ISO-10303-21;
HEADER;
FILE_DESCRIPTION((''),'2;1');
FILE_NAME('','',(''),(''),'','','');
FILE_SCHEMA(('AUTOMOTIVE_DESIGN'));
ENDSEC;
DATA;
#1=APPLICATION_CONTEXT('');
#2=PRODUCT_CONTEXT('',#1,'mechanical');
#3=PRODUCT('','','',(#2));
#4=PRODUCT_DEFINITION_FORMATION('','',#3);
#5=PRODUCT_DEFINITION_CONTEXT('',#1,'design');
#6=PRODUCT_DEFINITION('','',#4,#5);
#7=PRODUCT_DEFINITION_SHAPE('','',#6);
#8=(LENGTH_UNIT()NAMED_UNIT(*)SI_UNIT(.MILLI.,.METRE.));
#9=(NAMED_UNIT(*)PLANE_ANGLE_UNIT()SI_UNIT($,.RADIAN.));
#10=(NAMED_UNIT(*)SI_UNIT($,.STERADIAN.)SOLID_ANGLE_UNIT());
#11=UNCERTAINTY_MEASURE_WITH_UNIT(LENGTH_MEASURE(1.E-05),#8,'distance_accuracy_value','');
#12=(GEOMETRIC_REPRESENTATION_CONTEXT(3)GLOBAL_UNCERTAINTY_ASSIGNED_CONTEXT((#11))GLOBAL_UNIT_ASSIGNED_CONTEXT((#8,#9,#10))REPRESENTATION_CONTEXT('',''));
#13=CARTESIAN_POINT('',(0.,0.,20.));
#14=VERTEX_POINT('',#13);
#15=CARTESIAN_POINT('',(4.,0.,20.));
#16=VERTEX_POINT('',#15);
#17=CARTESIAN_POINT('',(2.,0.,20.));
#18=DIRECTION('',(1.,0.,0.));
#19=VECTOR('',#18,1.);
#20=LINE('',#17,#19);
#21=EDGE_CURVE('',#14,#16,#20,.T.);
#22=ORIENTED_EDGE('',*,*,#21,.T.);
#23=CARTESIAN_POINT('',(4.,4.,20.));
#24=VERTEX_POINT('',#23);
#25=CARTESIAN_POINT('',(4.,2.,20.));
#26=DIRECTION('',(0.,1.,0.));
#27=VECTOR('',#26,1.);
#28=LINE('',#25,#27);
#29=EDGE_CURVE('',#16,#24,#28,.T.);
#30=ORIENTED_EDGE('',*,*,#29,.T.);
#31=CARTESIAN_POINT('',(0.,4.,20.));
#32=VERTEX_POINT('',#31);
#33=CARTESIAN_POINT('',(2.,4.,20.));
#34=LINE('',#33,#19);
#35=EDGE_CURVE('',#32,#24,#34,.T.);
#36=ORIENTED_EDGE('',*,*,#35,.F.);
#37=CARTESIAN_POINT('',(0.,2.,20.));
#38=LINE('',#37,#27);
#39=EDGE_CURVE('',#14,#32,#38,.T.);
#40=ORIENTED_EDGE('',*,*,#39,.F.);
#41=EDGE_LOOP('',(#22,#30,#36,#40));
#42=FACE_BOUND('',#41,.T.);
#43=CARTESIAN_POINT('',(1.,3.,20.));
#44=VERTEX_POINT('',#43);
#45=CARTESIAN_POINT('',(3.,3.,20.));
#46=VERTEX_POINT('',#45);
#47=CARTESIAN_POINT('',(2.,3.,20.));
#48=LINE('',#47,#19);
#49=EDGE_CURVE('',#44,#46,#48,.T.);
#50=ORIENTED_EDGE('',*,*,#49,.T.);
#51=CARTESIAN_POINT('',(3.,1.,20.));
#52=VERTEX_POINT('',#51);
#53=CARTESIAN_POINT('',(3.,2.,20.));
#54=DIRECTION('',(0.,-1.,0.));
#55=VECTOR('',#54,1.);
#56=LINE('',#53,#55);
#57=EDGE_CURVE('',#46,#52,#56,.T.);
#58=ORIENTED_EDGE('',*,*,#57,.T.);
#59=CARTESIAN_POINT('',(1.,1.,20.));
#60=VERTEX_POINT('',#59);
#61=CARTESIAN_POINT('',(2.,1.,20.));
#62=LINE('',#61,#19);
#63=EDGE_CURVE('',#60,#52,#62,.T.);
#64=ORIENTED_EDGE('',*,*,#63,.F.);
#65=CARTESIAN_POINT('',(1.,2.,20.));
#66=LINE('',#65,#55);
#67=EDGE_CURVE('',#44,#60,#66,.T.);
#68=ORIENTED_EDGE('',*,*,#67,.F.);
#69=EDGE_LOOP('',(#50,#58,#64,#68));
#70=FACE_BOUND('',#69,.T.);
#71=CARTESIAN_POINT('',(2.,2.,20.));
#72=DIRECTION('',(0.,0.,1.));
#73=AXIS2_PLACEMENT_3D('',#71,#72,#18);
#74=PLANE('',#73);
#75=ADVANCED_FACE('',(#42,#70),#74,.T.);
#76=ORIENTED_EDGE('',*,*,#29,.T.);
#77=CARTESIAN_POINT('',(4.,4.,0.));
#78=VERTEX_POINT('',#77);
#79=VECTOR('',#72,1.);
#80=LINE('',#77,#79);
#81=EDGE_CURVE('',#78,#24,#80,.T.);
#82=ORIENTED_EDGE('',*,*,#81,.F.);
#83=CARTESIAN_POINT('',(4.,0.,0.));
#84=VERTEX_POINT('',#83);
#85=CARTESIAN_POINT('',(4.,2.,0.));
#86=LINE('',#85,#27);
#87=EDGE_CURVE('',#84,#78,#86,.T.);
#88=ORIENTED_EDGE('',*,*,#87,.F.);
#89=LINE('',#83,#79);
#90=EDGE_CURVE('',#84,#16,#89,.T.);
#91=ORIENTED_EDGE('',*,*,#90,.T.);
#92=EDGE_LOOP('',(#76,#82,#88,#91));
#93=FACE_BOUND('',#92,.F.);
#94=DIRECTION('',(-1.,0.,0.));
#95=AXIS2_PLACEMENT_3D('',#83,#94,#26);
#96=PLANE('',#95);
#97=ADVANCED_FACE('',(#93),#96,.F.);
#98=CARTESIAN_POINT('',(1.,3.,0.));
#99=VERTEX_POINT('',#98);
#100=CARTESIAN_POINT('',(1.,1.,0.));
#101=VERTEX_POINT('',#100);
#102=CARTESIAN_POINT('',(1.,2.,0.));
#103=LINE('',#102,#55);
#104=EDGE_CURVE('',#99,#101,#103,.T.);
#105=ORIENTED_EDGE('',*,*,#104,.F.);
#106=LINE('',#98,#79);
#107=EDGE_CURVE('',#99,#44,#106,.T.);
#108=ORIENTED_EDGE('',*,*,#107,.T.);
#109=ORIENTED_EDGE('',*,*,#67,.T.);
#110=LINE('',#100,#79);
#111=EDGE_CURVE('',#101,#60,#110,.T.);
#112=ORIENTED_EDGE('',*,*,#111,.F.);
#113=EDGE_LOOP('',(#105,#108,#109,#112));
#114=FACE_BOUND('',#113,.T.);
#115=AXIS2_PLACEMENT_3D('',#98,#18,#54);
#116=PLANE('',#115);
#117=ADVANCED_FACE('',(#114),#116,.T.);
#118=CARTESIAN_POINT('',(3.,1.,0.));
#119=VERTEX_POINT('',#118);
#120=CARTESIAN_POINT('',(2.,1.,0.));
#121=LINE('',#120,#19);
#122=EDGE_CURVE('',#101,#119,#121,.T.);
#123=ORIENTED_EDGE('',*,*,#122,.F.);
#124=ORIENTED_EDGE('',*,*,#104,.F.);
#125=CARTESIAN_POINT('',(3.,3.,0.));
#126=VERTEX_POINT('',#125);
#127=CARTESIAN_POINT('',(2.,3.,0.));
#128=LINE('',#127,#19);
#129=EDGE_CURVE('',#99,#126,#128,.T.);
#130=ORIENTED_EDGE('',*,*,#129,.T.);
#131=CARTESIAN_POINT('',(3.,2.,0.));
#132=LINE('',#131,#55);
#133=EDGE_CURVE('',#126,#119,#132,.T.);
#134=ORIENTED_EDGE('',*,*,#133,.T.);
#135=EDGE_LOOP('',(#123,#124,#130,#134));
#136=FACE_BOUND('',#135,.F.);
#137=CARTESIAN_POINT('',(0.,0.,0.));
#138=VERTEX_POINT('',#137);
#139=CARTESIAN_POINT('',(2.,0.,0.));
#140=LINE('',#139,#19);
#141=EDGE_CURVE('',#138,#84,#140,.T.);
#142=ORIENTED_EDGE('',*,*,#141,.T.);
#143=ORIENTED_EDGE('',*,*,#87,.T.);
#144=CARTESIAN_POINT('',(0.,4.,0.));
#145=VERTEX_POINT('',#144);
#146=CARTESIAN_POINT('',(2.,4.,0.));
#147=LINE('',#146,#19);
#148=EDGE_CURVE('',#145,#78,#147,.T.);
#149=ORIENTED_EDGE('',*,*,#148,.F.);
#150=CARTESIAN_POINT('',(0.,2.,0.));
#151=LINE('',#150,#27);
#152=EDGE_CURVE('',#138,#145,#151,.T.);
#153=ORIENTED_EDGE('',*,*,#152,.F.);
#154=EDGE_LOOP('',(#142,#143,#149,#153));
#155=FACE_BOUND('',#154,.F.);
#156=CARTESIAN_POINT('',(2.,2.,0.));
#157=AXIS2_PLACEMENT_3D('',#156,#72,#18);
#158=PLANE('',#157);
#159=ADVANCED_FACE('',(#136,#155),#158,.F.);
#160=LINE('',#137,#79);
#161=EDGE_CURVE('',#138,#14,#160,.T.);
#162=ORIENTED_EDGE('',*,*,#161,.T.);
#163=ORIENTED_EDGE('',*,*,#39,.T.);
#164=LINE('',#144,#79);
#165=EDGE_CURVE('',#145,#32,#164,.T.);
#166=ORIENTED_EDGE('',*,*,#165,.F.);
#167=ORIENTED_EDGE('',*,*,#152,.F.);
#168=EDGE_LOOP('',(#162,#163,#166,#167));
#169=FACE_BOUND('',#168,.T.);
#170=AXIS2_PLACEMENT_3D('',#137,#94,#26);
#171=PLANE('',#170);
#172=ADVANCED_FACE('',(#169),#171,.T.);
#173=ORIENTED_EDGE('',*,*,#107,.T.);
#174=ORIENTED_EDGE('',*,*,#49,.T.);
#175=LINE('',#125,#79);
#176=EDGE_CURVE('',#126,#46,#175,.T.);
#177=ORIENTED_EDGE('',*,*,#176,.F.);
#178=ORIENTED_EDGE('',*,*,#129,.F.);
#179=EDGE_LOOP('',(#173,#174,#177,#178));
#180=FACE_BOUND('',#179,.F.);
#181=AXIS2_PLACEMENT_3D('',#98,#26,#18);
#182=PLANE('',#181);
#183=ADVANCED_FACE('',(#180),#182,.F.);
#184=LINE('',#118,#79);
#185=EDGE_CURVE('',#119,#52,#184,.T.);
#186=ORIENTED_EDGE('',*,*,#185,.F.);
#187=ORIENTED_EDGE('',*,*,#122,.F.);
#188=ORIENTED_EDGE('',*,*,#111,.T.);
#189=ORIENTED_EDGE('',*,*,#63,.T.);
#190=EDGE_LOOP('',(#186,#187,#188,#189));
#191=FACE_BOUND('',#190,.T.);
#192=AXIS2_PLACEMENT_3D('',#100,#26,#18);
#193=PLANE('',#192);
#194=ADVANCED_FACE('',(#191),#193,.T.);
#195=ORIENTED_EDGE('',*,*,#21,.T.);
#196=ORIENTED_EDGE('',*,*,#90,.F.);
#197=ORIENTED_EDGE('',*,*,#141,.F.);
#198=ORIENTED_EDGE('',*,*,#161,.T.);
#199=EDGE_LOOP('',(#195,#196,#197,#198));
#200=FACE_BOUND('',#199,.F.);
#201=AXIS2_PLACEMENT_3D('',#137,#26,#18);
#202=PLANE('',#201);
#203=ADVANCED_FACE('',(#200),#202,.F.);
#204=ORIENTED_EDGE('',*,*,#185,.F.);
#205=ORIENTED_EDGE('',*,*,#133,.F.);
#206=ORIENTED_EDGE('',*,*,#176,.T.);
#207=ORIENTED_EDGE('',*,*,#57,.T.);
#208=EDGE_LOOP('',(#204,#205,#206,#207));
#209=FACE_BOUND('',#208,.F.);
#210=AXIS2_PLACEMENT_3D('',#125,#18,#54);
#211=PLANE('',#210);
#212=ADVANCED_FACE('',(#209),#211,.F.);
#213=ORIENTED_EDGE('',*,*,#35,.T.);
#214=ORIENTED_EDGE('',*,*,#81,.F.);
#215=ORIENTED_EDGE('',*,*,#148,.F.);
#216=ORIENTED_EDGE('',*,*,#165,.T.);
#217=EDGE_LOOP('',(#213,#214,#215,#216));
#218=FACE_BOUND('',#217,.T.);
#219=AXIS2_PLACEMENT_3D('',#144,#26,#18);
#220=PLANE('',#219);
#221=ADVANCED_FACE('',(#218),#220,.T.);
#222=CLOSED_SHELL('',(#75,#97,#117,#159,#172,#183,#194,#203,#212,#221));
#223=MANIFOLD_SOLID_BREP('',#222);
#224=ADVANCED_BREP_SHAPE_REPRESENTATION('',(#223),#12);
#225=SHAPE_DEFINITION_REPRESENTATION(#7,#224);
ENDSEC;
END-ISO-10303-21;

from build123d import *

# Parameters (mm, degrees)
SKETCH_W     = 4
SKETCH_H     = 4
PAD_DEPTH    = 20
SKETCH001_W  = 2
SKETCH001_H  = 2
POCKET_DEPTH = 20


with BuildPart() as part:
    # Sketch → Pad (new body)
    with BuildSketch(Plane.XY):
        with Locations((2, 2)):
            Rectangle(SKETCH_W, SKETCH_H)
    extrude(amount=PAD_DEPTH)

    # Sketch001 (on DatumPlane) → Pocket (cut)
    with BuildSketch(Plane(origin=(0, 0, 0), x_dir=(1, 0, 0), z_dir=(0, 0, -1))):
        with Locations((2, -2)):
            Rectangle(SKETCH001_W, SKETCH001_H)
    extrude(amount=-POCKET_DEPTH, mode=Mode.SUBTRACT)


solid = part.part
